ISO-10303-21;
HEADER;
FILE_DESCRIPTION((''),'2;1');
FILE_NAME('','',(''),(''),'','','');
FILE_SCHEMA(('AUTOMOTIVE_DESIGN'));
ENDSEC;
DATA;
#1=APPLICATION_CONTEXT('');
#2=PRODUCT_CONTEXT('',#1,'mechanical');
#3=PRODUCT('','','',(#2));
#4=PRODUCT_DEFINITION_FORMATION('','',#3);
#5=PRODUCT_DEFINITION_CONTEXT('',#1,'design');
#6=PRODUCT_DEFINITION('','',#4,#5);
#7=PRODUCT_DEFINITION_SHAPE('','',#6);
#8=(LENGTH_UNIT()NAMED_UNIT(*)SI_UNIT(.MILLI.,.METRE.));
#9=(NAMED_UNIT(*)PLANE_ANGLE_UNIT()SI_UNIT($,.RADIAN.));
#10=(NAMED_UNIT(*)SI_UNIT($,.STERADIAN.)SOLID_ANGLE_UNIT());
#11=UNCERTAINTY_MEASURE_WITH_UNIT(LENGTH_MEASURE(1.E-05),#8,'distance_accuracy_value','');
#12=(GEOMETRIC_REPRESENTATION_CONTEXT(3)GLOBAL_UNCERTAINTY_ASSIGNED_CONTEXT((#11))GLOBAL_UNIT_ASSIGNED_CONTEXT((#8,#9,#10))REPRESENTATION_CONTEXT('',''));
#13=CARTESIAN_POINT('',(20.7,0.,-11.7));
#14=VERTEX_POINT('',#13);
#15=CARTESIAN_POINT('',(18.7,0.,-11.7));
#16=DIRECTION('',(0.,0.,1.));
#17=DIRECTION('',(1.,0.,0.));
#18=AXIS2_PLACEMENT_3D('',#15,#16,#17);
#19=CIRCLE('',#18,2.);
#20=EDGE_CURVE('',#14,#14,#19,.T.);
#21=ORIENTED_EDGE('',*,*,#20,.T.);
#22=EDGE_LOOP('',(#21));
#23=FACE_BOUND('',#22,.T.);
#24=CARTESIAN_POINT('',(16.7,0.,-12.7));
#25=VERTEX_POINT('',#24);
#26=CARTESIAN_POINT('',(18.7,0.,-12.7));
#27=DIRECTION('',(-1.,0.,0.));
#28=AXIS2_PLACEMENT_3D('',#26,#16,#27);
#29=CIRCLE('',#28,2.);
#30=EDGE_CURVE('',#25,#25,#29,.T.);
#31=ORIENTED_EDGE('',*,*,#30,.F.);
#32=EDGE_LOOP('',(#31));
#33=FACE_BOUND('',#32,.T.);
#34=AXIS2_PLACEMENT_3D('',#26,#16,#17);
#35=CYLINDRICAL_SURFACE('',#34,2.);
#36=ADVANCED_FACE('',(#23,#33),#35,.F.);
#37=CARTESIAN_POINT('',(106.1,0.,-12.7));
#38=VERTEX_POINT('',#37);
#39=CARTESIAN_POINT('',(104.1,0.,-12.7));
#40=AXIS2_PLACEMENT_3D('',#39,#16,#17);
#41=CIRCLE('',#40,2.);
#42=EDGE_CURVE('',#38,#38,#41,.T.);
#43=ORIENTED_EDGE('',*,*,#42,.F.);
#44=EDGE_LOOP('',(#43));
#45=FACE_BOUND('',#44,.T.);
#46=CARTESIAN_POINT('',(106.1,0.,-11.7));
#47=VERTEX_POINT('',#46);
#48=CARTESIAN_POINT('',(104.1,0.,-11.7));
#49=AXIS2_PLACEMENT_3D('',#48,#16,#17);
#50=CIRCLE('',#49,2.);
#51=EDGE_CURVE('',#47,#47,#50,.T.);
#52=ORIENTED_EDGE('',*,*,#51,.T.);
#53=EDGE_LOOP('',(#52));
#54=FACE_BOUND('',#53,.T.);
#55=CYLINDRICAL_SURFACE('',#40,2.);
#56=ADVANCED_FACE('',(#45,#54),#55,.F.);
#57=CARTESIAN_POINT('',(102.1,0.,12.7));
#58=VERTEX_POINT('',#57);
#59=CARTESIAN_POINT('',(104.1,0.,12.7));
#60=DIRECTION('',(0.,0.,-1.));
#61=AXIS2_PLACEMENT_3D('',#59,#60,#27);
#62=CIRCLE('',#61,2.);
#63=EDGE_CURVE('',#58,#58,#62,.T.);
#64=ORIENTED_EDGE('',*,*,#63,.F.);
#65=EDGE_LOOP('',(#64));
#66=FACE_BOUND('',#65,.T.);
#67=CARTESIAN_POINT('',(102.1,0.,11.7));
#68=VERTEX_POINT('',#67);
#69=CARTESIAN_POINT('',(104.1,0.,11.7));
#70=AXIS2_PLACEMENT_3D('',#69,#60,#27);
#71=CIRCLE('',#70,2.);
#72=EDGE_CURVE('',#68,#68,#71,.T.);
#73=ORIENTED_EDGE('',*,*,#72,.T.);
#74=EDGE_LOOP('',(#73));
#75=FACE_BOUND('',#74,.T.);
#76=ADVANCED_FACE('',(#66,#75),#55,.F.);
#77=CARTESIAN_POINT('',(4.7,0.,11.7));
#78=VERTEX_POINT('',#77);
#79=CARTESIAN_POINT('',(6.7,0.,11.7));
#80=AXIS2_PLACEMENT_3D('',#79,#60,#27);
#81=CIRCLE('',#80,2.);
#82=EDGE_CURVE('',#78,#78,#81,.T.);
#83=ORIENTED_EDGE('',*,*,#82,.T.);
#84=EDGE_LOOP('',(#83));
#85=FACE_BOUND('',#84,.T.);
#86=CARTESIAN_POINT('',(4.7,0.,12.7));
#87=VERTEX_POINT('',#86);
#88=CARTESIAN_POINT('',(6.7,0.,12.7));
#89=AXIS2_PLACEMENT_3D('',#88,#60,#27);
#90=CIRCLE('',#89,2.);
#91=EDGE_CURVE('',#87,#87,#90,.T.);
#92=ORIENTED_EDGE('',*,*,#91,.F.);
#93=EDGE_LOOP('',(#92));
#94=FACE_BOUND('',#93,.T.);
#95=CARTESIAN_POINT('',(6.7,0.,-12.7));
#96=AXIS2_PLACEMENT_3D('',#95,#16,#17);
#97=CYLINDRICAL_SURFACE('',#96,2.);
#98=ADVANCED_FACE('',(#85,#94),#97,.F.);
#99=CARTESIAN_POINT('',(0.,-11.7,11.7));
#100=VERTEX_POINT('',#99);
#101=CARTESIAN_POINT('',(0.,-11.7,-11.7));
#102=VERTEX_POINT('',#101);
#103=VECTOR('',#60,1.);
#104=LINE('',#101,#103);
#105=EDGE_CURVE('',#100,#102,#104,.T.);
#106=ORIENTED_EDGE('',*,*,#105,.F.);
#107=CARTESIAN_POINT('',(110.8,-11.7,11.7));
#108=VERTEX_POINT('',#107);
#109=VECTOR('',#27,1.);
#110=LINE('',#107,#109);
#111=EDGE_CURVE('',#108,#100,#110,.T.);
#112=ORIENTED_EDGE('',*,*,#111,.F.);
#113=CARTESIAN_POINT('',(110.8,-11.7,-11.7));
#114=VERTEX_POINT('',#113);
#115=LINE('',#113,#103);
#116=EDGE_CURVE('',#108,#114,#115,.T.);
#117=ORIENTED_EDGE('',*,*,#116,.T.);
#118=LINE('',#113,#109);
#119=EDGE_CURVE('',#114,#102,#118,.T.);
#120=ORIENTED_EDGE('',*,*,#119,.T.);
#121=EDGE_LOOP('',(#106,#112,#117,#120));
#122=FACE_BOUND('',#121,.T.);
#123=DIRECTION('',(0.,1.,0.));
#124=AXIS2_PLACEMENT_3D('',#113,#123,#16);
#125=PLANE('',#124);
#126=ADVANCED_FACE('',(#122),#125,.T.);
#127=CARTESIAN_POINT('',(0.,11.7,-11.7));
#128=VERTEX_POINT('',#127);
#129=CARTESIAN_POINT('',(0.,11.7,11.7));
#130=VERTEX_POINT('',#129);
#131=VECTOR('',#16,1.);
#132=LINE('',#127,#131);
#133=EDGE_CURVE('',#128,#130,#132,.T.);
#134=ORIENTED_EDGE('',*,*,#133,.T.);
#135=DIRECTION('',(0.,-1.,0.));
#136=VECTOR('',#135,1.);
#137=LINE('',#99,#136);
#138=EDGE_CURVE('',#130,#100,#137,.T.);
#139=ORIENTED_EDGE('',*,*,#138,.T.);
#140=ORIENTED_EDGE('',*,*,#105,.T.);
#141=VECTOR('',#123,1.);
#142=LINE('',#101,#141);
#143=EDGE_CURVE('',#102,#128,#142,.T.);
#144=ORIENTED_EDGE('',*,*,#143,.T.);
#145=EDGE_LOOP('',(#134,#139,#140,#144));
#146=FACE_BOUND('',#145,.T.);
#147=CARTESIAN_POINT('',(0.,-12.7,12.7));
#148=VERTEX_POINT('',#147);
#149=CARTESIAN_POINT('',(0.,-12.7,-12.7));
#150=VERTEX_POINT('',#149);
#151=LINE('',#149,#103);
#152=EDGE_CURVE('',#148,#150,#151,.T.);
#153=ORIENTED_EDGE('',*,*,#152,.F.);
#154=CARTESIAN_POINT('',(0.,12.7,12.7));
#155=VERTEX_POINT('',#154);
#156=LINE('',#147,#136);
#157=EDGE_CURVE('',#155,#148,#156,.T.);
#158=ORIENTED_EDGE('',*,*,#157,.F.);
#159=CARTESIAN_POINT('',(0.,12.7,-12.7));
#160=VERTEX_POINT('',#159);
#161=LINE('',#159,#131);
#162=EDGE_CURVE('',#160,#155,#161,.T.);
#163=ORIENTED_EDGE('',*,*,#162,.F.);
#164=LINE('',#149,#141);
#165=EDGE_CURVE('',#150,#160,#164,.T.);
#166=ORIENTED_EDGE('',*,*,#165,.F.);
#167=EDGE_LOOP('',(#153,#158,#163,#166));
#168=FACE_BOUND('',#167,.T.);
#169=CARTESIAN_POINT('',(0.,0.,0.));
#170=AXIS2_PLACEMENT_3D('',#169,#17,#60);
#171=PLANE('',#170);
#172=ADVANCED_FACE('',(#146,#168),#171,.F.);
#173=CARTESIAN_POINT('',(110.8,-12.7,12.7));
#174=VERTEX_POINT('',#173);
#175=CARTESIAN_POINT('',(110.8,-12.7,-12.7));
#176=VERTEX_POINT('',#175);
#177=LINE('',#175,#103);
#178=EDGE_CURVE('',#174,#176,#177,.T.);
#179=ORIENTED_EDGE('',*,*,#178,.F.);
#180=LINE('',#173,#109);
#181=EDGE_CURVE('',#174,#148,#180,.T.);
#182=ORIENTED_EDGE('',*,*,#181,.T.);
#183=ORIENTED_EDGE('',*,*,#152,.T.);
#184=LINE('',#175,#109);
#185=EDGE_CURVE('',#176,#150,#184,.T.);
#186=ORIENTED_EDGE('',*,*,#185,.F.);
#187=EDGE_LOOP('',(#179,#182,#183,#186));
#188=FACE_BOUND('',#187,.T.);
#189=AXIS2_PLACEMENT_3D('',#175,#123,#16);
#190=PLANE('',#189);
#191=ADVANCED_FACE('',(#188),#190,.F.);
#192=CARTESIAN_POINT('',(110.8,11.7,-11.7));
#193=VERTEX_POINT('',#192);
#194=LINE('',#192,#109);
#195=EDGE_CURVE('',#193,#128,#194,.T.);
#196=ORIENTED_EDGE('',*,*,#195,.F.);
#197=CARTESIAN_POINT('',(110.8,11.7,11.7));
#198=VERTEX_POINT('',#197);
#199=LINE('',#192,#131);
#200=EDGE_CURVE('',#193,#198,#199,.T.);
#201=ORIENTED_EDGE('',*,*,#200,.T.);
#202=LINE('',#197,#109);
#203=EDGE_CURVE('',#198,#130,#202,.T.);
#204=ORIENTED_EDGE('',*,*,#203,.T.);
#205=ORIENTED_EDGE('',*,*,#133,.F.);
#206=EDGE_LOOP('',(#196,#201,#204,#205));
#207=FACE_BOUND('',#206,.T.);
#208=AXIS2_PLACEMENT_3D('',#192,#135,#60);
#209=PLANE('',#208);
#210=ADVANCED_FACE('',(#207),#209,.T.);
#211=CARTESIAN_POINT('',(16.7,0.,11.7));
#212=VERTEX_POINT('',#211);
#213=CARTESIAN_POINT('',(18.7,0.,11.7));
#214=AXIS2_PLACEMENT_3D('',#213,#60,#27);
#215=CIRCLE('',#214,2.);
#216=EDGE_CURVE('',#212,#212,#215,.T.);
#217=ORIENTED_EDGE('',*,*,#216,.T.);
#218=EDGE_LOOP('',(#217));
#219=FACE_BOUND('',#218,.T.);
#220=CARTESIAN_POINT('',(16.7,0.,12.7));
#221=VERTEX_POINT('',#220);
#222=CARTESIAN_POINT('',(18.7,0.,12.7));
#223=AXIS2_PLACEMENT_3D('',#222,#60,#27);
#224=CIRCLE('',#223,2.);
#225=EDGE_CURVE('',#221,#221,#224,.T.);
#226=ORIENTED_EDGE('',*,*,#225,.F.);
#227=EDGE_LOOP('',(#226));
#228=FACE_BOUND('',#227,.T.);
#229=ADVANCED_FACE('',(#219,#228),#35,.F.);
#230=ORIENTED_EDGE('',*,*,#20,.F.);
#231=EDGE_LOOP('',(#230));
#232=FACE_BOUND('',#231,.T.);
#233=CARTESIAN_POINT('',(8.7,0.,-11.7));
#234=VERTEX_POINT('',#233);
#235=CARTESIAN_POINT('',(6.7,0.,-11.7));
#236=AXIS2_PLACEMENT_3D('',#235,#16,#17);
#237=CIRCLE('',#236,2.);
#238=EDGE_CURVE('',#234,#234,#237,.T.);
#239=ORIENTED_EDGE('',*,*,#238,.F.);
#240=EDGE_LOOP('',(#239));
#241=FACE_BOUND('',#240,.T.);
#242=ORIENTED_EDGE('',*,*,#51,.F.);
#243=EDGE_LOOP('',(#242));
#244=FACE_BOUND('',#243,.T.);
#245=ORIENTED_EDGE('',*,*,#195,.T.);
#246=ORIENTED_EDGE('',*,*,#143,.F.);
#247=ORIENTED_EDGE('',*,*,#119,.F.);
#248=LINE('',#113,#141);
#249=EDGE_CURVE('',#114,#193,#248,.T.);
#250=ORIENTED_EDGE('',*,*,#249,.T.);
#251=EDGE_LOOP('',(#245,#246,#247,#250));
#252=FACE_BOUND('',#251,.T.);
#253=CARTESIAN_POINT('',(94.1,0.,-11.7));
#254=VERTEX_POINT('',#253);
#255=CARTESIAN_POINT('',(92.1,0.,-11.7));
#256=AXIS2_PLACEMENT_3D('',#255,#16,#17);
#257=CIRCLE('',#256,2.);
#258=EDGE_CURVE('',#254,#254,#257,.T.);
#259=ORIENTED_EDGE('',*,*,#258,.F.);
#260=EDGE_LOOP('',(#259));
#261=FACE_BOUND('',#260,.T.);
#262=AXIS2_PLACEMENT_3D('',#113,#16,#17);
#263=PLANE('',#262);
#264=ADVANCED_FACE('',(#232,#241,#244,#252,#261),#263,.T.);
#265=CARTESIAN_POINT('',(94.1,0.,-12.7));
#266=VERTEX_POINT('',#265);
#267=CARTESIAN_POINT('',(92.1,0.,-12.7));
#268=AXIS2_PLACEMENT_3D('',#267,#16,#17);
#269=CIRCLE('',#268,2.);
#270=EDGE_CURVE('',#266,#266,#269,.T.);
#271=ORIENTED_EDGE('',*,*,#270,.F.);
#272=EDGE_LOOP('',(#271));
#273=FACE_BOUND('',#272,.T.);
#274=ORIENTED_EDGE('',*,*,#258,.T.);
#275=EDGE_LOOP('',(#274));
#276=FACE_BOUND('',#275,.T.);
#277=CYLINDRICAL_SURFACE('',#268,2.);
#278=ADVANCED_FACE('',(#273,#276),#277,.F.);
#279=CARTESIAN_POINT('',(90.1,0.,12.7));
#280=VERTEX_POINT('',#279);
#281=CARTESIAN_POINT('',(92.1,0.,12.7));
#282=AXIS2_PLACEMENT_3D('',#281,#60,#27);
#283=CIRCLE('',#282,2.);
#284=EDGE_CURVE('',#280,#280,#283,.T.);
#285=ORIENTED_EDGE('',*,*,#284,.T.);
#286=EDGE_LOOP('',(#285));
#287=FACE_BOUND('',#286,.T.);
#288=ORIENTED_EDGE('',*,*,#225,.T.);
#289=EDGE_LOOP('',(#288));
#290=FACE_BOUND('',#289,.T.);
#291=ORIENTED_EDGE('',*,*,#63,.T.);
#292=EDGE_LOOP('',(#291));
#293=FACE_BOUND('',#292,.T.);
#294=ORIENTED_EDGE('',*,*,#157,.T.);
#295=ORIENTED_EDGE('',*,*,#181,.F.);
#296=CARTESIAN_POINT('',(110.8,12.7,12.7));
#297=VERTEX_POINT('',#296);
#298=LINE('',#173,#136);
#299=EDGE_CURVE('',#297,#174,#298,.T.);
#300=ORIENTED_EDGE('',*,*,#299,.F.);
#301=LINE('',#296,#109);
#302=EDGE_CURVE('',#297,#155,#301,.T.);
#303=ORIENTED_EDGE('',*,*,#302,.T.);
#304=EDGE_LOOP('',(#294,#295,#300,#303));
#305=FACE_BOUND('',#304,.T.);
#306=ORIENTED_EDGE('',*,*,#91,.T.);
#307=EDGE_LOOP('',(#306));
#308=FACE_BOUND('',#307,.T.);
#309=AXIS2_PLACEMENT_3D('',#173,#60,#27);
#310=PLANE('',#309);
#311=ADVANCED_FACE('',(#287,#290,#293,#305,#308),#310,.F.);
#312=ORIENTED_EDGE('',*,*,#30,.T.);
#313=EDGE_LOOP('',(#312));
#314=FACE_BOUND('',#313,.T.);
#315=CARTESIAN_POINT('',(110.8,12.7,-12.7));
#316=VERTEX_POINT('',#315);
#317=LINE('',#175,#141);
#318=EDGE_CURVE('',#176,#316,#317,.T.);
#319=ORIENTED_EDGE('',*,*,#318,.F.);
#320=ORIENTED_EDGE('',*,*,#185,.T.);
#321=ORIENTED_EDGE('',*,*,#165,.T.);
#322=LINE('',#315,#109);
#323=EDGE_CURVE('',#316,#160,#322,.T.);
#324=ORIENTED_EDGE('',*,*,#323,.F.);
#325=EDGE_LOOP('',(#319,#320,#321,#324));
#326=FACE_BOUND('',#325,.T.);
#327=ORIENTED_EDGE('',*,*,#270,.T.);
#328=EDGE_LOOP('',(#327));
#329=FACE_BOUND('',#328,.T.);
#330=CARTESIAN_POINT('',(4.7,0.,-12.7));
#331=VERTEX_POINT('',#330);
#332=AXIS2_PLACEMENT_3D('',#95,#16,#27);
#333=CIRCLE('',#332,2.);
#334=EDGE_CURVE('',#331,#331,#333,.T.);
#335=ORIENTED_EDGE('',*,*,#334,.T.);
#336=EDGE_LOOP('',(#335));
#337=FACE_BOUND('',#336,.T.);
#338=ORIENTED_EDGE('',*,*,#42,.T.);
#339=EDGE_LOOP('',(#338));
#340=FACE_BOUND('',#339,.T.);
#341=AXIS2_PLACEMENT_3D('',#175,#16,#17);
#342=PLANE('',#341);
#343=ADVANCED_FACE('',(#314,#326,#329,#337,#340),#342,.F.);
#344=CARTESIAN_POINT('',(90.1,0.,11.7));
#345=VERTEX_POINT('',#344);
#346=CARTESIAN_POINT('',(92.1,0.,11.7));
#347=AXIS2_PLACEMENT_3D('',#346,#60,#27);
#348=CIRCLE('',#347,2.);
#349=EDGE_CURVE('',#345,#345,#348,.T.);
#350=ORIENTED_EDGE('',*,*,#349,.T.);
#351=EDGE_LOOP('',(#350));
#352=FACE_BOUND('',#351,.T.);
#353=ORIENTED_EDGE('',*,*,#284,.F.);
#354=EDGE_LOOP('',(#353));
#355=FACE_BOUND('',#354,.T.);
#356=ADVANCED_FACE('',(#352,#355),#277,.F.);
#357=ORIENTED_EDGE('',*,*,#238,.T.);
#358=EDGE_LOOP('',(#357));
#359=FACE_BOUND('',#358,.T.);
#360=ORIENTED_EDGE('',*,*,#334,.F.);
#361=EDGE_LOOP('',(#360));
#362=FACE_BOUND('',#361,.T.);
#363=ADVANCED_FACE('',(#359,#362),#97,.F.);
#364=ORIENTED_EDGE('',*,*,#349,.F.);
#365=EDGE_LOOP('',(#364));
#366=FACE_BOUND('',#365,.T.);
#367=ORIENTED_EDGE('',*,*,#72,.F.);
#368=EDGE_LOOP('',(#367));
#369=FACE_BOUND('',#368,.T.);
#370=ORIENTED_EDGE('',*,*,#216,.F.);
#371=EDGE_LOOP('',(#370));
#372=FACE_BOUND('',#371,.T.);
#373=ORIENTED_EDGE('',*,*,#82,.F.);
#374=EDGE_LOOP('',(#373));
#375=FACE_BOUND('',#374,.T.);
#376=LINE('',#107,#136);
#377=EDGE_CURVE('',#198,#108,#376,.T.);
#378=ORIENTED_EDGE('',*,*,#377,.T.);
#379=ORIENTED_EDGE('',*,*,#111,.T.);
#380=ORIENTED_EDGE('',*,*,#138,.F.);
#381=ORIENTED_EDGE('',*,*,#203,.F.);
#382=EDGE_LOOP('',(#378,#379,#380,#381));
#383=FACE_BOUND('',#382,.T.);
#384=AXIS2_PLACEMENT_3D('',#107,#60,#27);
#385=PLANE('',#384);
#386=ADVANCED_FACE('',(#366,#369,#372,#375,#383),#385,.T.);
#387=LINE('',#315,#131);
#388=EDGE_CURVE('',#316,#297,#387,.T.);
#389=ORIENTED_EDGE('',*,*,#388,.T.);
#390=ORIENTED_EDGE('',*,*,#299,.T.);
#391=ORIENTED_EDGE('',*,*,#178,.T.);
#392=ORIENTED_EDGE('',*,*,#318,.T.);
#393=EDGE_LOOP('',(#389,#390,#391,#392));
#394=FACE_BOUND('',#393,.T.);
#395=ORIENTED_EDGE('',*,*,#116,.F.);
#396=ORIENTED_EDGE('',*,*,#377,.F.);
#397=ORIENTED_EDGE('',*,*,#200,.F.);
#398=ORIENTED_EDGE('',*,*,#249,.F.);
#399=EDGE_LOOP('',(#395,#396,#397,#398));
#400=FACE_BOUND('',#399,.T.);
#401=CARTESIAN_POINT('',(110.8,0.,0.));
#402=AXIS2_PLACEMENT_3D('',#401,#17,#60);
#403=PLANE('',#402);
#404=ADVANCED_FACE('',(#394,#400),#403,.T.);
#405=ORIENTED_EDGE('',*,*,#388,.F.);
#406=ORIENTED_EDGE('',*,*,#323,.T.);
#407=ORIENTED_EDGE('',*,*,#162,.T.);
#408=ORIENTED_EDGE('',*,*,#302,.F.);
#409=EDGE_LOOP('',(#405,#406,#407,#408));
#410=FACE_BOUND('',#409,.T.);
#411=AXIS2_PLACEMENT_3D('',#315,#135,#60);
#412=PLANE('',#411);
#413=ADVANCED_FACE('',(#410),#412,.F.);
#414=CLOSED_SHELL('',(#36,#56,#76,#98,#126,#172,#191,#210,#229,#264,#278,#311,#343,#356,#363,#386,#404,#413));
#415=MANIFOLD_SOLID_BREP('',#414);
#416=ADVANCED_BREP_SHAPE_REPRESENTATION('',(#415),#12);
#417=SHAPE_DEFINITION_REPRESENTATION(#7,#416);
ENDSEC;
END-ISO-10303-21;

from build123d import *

# Parameters (mm, degrees)
SKETCH1_W               = 25.4
SKETCH1_H               = 25.4
SKETCH1_W_2             = 23.4
SKETCH1_H_2             = 23.4
BOSS_EXTRUDE1_DEPTH     = 110.8
CUT_EXTRUDE1_DEPTH      = 115.38133589
CUT_EXTRUDE1_DEPTH_BACK = 115.38133589
SKETCH2_R               = 2


with BuildPart() as part:
    # Sketch1 → Boss-Extrude1 (new body)
    with BuildSketch(Plane(origin=(0, 0, 0), x_dir=(0, 0, -1), z_dir=(1, 0, 0))):
        Rectangle(SKETCH1_W, SKETCH1_H)
        Rectangle(SKETCH1_W_2, SKETCH1_H_2, mode=Mode.SUBTRACT)
    extrude(amount=BOSS_EXTRUDE1_DEPTH)

    # Sketch2 → Cut-Extrude1 (cut, two sides: drawn at the far end of the back side and taken through both)
    with BuildSketch(Plane.XY.offset(12.7).offset(-CUT_EXTRUDE1_DEPTH_BACK)):
        with Locations(Location((92.1, 0, 0), (0, 0, 180))):
            Circle(SKETCH2_R)
        with Locations(Location((104.1, 0, 0), (0, 0, 180))):
            Circle(SKETCH2_R)
        with Locations(Location((6.7, 0, 0), (0, 0, 180))):
            Circle(SKETCH2_R)
        with Locations(Location((18.7, 0, 0), (0, 0, 180))):
            Circle(SKETCH2_R)
    extrude(amount=CUT_EXTRUDE1_DEPTH + CUT_EXTRUDE1_DEPTH_BACK, mode=Mode.SUBTRACT)


solid = part.part
